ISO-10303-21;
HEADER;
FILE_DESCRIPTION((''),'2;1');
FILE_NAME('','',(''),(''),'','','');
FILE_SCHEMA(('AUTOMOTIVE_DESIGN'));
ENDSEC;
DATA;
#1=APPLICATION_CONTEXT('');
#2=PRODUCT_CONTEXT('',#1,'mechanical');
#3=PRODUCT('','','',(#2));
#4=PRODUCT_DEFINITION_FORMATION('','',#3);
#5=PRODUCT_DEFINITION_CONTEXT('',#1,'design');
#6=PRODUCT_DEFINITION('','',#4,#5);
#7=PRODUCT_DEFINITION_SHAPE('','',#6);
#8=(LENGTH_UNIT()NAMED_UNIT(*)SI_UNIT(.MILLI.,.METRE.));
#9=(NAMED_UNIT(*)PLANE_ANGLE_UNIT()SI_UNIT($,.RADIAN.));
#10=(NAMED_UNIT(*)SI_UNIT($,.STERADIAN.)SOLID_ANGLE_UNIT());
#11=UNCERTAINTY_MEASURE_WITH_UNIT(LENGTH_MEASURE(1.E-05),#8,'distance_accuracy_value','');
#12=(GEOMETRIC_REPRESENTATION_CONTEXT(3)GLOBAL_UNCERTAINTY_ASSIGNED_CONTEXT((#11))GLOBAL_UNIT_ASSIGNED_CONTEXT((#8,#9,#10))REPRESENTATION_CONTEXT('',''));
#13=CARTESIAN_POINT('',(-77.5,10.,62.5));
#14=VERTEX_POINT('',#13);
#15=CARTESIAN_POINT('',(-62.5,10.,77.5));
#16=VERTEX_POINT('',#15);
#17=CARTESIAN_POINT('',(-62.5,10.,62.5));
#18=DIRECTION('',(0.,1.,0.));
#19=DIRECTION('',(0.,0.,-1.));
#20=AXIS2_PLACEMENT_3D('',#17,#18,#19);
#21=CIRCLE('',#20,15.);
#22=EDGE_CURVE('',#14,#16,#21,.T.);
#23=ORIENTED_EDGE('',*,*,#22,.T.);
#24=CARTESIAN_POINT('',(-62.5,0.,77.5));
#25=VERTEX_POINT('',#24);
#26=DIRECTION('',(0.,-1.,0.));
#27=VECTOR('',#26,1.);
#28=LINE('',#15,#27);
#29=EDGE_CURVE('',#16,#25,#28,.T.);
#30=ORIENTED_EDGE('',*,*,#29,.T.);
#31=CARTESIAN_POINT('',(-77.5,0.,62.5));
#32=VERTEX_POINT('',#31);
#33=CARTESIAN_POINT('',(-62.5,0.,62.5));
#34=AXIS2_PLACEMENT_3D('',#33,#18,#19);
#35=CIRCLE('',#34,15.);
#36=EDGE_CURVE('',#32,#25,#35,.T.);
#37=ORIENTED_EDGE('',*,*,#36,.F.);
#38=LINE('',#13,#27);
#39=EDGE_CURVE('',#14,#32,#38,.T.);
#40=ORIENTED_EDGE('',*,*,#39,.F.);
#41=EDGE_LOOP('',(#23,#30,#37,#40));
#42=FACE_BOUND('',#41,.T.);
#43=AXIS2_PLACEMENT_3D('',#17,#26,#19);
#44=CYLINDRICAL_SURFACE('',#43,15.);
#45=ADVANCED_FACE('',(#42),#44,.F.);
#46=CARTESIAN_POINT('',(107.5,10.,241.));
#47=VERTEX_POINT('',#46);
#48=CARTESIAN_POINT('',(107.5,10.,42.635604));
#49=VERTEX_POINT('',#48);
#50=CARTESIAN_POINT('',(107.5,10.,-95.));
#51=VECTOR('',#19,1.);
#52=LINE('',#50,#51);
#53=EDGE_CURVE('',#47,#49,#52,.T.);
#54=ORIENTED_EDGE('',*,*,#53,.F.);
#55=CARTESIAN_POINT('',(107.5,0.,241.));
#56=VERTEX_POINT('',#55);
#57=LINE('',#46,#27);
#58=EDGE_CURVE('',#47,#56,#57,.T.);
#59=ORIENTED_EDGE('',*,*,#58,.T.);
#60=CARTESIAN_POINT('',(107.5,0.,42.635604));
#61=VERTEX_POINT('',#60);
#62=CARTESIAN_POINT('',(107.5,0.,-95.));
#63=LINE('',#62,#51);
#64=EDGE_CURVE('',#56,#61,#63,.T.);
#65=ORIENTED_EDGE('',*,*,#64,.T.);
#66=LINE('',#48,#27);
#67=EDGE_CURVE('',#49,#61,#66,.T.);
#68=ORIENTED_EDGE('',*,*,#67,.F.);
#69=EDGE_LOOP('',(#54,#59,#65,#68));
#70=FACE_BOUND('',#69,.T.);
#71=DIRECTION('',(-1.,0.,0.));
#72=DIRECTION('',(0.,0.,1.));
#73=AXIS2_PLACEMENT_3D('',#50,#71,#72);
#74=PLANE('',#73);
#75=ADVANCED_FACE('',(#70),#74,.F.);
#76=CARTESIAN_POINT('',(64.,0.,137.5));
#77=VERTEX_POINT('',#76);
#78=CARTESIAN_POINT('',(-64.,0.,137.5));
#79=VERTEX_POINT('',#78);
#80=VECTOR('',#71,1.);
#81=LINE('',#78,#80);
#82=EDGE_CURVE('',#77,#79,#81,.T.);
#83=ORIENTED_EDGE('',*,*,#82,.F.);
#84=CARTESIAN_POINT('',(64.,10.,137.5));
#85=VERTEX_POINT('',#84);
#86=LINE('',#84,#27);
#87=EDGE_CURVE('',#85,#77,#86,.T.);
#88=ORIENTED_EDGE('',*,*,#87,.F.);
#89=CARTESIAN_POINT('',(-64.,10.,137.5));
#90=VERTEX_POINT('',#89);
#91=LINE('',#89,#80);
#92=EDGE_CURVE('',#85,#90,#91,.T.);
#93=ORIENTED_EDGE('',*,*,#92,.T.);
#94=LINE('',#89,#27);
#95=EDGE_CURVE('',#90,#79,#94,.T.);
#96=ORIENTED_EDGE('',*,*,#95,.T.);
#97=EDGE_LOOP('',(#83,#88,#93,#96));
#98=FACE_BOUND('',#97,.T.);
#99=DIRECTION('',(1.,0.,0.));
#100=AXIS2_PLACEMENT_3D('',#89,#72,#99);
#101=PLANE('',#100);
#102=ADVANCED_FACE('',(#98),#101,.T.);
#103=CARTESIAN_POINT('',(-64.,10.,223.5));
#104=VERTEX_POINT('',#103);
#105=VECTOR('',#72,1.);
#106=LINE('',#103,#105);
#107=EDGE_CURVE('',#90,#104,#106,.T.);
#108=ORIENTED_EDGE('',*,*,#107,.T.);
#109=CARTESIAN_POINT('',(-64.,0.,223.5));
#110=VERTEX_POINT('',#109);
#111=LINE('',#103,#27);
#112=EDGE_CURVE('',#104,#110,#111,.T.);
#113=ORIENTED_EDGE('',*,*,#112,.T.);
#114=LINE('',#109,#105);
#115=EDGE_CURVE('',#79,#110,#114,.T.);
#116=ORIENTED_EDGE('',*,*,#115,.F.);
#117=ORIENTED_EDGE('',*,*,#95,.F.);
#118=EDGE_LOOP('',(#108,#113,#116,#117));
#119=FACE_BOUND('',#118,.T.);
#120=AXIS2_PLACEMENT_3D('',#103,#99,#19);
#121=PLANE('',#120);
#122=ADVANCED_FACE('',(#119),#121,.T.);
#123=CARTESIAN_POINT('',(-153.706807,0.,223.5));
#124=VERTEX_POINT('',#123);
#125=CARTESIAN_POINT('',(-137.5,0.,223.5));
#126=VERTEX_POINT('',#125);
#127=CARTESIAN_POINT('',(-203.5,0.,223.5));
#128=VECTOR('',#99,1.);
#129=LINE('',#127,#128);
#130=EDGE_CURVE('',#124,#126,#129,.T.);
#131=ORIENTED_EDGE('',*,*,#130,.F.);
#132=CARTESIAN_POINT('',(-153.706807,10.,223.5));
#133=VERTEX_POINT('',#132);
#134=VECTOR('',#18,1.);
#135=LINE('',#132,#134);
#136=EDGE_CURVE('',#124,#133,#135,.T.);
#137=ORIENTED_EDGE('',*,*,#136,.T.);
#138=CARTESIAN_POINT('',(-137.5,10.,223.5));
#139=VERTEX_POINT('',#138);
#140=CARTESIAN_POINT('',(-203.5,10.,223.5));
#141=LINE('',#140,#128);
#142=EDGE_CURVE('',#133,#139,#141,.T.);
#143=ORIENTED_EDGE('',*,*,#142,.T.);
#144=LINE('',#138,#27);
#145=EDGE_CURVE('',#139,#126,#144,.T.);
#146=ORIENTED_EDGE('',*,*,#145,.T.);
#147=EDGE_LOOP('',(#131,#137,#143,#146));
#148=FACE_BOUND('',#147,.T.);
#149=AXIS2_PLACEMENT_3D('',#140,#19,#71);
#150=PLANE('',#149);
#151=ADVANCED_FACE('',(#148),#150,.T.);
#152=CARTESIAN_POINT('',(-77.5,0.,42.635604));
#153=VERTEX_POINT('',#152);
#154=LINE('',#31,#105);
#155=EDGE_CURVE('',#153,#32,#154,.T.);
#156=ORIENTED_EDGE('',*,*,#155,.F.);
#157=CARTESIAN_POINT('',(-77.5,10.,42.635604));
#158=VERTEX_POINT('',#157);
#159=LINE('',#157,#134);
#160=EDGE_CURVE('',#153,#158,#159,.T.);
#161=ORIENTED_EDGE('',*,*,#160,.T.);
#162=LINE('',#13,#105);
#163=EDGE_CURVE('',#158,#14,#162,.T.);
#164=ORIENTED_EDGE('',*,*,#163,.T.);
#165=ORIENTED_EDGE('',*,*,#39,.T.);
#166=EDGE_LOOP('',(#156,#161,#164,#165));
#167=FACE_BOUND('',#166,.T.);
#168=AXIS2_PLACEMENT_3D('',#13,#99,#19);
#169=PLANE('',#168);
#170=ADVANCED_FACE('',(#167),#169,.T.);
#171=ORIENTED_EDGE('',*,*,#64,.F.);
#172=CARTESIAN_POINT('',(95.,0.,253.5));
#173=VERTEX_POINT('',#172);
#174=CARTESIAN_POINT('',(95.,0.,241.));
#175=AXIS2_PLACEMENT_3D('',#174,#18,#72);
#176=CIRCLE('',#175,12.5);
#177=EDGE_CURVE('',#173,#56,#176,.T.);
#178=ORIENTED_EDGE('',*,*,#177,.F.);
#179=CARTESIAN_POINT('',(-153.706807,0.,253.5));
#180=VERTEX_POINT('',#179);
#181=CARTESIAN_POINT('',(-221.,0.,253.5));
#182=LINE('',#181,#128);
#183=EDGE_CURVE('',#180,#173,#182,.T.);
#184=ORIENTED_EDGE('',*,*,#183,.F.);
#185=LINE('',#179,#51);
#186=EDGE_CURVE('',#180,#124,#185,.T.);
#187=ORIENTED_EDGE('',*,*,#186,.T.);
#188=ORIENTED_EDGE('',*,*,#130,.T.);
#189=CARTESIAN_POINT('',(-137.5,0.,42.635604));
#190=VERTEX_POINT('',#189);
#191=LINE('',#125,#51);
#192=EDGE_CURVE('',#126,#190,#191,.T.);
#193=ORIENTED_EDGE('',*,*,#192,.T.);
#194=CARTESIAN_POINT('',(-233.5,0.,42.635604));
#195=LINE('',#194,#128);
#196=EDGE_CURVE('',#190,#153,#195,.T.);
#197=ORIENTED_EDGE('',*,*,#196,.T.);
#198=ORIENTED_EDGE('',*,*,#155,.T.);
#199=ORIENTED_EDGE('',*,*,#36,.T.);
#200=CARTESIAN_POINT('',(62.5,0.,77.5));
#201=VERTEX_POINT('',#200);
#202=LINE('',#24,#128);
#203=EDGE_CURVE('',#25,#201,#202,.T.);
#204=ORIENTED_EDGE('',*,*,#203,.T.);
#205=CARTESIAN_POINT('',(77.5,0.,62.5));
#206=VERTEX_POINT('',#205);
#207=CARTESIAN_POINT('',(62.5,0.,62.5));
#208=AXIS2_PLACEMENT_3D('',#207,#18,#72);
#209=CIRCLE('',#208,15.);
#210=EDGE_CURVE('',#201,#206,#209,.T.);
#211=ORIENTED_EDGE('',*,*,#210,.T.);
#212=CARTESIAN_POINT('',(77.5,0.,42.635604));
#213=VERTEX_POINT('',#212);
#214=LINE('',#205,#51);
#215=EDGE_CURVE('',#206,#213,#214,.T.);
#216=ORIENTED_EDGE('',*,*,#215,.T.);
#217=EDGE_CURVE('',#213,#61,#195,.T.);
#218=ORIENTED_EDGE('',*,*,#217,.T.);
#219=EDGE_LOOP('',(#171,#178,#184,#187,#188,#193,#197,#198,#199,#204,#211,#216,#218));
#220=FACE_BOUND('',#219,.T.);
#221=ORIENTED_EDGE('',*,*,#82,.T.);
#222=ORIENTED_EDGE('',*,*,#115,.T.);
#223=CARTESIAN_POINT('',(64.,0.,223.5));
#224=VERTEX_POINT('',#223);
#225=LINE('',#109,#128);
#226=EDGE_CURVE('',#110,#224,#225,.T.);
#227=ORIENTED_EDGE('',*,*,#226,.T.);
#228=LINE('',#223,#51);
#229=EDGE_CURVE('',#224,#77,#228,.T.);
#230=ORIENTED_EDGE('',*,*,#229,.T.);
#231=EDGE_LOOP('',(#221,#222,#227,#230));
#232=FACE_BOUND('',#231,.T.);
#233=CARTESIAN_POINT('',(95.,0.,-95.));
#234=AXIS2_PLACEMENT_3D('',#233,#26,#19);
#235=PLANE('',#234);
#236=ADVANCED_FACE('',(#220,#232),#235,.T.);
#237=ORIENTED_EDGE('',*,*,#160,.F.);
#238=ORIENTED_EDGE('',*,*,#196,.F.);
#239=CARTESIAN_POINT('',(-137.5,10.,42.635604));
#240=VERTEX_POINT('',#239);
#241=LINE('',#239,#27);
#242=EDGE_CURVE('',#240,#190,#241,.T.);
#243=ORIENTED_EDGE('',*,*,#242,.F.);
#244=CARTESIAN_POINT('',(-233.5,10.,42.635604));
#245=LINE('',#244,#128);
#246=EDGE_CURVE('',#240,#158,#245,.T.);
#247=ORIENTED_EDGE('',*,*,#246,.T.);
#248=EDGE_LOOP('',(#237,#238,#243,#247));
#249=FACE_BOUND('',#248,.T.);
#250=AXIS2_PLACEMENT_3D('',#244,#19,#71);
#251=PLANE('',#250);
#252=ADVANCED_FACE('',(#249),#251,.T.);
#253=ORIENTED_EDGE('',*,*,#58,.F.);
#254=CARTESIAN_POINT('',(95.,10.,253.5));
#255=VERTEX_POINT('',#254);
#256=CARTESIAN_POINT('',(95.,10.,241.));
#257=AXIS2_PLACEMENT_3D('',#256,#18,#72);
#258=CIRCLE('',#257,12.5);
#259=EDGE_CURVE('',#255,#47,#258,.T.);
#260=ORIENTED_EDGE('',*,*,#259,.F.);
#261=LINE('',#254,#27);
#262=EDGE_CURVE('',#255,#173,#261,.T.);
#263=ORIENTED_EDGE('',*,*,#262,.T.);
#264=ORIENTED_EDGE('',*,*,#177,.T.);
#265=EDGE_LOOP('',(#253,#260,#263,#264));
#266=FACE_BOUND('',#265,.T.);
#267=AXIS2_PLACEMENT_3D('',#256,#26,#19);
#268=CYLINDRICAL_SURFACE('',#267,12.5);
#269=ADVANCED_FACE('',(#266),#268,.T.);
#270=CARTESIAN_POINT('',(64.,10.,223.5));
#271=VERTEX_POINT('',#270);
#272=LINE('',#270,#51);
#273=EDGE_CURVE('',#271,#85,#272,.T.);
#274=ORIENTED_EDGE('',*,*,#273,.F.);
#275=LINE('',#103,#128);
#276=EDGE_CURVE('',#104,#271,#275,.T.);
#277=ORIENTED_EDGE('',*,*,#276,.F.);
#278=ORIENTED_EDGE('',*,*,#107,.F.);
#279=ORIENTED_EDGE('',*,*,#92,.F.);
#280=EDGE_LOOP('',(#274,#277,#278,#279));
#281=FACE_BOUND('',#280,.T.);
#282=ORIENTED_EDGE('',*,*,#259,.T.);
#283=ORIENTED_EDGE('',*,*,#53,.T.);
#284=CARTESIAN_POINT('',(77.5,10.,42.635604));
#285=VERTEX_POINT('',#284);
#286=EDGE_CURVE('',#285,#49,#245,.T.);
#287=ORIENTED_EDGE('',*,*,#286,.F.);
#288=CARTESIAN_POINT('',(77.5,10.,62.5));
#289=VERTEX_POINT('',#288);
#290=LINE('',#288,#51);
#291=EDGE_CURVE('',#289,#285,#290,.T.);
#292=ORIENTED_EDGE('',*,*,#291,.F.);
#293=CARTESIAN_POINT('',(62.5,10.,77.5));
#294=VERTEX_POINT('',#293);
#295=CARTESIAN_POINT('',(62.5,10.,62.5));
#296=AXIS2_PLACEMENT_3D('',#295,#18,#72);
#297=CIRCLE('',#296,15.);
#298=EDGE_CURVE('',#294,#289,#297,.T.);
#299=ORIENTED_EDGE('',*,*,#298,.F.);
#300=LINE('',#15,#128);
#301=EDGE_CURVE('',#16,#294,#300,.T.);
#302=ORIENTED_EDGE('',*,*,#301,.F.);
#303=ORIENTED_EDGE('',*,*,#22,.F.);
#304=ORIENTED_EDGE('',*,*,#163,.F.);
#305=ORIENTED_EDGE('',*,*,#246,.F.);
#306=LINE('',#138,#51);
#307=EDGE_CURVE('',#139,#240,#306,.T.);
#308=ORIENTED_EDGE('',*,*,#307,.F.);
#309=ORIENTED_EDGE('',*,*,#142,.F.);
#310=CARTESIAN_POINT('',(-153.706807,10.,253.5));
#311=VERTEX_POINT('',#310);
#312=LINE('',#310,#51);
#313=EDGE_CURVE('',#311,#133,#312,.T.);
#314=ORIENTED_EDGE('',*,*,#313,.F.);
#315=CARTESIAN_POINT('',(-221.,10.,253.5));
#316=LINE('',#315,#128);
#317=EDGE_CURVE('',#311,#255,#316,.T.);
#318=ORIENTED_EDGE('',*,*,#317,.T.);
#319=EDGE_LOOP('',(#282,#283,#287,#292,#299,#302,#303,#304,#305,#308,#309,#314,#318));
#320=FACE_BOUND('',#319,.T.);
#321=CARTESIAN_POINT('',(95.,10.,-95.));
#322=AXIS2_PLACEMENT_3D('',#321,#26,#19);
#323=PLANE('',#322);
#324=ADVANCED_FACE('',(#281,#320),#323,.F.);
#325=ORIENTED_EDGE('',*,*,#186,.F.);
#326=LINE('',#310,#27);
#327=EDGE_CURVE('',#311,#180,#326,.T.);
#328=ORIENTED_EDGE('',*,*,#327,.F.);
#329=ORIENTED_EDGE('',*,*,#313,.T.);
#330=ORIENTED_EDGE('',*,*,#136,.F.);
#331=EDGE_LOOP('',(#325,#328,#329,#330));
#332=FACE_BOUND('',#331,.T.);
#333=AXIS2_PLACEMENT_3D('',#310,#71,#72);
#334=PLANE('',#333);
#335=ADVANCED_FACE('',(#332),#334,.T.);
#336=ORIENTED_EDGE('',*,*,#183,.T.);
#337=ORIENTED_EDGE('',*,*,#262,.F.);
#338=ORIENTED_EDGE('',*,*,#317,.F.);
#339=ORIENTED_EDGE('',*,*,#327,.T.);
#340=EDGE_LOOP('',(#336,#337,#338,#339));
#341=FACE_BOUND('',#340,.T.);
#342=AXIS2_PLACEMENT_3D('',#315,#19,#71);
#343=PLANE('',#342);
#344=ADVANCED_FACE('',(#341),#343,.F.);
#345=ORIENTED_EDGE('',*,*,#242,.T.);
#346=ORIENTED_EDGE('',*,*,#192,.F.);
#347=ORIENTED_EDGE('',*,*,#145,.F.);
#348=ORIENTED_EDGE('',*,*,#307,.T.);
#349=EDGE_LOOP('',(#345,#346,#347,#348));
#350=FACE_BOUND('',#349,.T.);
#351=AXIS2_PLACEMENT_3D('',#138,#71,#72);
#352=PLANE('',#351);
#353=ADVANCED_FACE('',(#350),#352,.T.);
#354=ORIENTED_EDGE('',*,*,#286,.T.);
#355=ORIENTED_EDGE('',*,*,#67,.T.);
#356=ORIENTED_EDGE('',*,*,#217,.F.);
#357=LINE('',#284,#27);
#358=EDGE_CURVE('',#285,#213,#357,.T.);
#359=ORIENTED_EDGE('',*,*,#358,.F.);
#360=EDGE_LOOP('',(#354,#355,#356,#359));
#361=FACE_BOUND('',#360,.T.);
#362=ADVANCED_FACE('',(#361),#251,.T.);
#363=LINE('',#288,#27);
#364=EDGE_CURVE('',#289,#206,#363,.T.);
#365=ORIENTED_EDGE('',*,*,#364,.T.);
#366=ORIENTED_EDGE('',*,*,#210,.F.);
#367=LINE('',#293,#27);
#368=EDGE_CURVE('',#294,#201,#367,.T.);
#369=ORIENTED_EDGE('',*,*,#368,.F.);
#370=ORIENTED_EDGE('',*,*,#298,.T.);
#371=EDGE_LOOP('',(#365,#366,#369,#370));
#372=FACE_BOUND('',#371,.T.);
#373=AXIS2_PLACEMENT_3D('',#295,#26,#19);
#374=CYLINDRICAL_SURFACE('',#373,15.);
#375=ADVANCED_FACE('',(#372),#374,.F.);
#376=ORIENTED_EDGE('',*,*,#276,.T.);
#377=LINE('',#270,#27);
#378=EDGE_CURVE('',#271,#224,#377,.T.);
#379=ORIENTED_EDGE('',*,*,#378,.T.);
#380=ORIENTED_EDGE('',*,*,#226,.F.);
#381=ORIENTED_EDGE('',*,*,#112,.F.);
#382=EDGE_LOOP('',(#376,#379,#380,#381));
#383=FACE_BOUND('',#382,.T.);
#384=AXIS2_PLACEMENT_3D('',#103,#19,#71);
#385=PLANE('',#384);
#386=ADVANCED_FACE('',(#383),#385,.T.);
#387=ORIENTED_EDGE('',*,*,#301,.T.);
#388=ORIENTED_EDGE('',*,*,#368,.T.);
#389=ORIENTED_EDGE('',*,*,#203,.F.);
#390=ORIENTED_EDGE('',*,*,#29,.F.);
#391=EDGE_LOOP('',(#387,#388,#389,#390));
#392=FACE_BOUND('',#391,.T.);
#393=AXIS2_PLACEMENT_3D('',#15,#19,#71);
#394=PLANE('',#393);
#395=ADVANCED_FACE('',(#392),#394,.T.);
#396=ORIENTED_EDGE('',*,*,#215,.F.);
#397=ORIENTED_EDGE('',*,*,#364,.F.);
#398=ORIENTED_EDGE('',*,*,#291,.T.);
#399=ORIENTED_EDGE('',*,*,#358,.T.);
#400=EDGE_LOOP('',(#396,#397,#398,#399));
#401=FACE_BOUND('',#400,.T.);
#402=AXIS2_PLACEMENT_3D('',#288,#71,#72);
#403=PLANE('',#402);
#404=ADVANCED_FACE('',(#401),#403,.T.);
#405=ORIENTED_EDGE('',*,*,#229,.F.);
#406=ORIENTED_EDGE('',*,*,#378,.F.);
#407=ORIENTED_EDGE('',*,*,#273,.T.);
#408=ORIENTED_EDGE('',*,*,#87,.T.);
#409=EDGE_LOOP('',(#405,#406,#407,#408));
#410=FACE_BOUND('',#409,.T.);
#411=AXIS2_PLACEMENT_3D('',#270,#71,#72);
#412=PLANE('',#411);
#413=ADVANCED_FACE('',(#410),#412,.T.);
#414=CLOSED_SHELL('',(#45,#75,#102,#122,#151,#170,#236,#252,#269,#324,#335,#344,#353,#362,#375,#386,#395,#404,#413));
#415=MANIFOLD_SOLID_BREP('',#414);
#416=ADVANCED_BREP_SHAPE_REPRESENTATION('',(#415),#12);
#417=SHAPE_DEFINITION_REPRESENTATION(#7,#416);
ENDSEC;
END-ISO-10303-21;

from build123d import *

# Parameters (mm, degrees)
BOSS_EXTRUDE1_DEPTH = 10
SKETCH3_W           = 128
SKETCH3_H           = 86
SKETCH3_W_2         = 66
SKETCH3_H_2         = 212
CUT_EXTRUDE1_DEPTH  = 345.796316686
CUT_EXTRUDE2_DEPTH  = 345.796316686
SKETCH6_W           = 343.5
SKETCH6_H           = 159.021787697
CUT_EXTRUDE3_DEPTH  = 345.796316686
SKETCH7_W           = 86.89559668
SKETCH7_H           = 224.425885746
CUT_EXTRUDE4_DEPTH  = 345.796316686


with BuildPart() as part:
    # Sketch4 → Boss-Extrude1 (new body)
    with BuildSketch(Plane(origin=(0, 0, 0), x_dir=(1, 0, 0), z_dir=(0, 1, 0))):
        with BuildLine():
            Line((-221, 107.5), (95, 107.5))
            ThreePointArc((95, 107.5), (103.838834765, 103.838834765), (107.5, 95))
            Line((107.5, 95), (107.5, -241))
            ThreePointArc((107.5, -241), (103.838834765, -249.838834765), (95, -253.5))
            Line((95, -253.5), (-221, -253.5))
            ThreePointArc((-221, -253.5), (-229.838834765, -249.838834765), (-233.5, -241))
            Line((-233.5, -241), (-233.5, 95))
            ThreePointArc((-233.5, 95), (-229.838834765, 103.838834765), (-221, 107.5))
        make_face()
    extrude(amount=BOSS_EXTRUDE1_DEPTH)

    # Sketch3 → Cut-Extrude1 (cut, through all)
    with BuildSketch(Plane(origin=(0, 0, 0), x_dir=(1, 0, 0), z_dir=(0, 1, 0))):
        with Locations((0, -180.5)):
            Rectangle(SKETCH3_W, SKETCH3_H)
        with Locations((-170.5, -117.5)):
            Rectangle(SKETCH3_W_2, SKETCH3_H_2)
    extrude(amount=CUT_EXTRUDE1_DEPTH, mode=Mode.SUBTRACT)

    # Sketch1 → Cut-Extrude2 (cut, through all)
    with BuildSketch(Plane(origin=(0, 0, 0), x_dir=(1, 0, 0), z_dir=(0, 1, 0))):
        with BuildLine():
            Line((-62.5, -77.5), (62.5, -77.5))
            ThreePointArc((62.5, -77.5), (73.106601718, -73.106601718), (77.5, -62.5))
            Line((77.5, -62.5), (77.5, 62.5))
            ThreePointArc((77.5, 62.5), (73.106601718, 73.106601718), (62.5, 77.5))
            Line((62.5, 77.5), (-62.5, 77.5))
            ThreePointArc((-62.5, 77.5), (-73.106601718, 73.106601718), (-77.5, 62.5))
            Line((-77.5, 62.5), (-77.5, -62.5))
            ThreePointArc((-77.5, -62.5), (-73.106601718, -73.106601718), (-62.5, -77.5))
        make_face()
    extrude(amount=CUT_EXTRUDE2_DEPTH, mode=Mode.SUBTRACT)

    # Sketch6 → Cut-Extrude3 (cut, through all)
    with BuildSketch(Plane(origin=(0, 0, 0), x_dir=(1, 0, 0), z_dir=(0, 1, 0))):
        with Locations((-61.75, 36.875290319)):
            Rectangle(SKETCH6_W, SKETCH6_H)
    extrude(amount=CUT_EXTRUDE3_DEPTH, mode=Mode.SUBTRACT)

    # Sketch7 → Cut-Extrude4 (cut, through all)
    with BuildSketch(Plane(origin=(0, 0, 0), x_dir=(1, 0, 0), z_dir=(0, 1, 0))):
        with Locations((-197.154605401, -141.287057127)):
            Rectangle(SKETCH7_W, SKETCH7_H)
    extrude(amount=CUT_EXTRUDE4_DEPTH, mode=Mode.SUBTRACT)


solid = part.part
